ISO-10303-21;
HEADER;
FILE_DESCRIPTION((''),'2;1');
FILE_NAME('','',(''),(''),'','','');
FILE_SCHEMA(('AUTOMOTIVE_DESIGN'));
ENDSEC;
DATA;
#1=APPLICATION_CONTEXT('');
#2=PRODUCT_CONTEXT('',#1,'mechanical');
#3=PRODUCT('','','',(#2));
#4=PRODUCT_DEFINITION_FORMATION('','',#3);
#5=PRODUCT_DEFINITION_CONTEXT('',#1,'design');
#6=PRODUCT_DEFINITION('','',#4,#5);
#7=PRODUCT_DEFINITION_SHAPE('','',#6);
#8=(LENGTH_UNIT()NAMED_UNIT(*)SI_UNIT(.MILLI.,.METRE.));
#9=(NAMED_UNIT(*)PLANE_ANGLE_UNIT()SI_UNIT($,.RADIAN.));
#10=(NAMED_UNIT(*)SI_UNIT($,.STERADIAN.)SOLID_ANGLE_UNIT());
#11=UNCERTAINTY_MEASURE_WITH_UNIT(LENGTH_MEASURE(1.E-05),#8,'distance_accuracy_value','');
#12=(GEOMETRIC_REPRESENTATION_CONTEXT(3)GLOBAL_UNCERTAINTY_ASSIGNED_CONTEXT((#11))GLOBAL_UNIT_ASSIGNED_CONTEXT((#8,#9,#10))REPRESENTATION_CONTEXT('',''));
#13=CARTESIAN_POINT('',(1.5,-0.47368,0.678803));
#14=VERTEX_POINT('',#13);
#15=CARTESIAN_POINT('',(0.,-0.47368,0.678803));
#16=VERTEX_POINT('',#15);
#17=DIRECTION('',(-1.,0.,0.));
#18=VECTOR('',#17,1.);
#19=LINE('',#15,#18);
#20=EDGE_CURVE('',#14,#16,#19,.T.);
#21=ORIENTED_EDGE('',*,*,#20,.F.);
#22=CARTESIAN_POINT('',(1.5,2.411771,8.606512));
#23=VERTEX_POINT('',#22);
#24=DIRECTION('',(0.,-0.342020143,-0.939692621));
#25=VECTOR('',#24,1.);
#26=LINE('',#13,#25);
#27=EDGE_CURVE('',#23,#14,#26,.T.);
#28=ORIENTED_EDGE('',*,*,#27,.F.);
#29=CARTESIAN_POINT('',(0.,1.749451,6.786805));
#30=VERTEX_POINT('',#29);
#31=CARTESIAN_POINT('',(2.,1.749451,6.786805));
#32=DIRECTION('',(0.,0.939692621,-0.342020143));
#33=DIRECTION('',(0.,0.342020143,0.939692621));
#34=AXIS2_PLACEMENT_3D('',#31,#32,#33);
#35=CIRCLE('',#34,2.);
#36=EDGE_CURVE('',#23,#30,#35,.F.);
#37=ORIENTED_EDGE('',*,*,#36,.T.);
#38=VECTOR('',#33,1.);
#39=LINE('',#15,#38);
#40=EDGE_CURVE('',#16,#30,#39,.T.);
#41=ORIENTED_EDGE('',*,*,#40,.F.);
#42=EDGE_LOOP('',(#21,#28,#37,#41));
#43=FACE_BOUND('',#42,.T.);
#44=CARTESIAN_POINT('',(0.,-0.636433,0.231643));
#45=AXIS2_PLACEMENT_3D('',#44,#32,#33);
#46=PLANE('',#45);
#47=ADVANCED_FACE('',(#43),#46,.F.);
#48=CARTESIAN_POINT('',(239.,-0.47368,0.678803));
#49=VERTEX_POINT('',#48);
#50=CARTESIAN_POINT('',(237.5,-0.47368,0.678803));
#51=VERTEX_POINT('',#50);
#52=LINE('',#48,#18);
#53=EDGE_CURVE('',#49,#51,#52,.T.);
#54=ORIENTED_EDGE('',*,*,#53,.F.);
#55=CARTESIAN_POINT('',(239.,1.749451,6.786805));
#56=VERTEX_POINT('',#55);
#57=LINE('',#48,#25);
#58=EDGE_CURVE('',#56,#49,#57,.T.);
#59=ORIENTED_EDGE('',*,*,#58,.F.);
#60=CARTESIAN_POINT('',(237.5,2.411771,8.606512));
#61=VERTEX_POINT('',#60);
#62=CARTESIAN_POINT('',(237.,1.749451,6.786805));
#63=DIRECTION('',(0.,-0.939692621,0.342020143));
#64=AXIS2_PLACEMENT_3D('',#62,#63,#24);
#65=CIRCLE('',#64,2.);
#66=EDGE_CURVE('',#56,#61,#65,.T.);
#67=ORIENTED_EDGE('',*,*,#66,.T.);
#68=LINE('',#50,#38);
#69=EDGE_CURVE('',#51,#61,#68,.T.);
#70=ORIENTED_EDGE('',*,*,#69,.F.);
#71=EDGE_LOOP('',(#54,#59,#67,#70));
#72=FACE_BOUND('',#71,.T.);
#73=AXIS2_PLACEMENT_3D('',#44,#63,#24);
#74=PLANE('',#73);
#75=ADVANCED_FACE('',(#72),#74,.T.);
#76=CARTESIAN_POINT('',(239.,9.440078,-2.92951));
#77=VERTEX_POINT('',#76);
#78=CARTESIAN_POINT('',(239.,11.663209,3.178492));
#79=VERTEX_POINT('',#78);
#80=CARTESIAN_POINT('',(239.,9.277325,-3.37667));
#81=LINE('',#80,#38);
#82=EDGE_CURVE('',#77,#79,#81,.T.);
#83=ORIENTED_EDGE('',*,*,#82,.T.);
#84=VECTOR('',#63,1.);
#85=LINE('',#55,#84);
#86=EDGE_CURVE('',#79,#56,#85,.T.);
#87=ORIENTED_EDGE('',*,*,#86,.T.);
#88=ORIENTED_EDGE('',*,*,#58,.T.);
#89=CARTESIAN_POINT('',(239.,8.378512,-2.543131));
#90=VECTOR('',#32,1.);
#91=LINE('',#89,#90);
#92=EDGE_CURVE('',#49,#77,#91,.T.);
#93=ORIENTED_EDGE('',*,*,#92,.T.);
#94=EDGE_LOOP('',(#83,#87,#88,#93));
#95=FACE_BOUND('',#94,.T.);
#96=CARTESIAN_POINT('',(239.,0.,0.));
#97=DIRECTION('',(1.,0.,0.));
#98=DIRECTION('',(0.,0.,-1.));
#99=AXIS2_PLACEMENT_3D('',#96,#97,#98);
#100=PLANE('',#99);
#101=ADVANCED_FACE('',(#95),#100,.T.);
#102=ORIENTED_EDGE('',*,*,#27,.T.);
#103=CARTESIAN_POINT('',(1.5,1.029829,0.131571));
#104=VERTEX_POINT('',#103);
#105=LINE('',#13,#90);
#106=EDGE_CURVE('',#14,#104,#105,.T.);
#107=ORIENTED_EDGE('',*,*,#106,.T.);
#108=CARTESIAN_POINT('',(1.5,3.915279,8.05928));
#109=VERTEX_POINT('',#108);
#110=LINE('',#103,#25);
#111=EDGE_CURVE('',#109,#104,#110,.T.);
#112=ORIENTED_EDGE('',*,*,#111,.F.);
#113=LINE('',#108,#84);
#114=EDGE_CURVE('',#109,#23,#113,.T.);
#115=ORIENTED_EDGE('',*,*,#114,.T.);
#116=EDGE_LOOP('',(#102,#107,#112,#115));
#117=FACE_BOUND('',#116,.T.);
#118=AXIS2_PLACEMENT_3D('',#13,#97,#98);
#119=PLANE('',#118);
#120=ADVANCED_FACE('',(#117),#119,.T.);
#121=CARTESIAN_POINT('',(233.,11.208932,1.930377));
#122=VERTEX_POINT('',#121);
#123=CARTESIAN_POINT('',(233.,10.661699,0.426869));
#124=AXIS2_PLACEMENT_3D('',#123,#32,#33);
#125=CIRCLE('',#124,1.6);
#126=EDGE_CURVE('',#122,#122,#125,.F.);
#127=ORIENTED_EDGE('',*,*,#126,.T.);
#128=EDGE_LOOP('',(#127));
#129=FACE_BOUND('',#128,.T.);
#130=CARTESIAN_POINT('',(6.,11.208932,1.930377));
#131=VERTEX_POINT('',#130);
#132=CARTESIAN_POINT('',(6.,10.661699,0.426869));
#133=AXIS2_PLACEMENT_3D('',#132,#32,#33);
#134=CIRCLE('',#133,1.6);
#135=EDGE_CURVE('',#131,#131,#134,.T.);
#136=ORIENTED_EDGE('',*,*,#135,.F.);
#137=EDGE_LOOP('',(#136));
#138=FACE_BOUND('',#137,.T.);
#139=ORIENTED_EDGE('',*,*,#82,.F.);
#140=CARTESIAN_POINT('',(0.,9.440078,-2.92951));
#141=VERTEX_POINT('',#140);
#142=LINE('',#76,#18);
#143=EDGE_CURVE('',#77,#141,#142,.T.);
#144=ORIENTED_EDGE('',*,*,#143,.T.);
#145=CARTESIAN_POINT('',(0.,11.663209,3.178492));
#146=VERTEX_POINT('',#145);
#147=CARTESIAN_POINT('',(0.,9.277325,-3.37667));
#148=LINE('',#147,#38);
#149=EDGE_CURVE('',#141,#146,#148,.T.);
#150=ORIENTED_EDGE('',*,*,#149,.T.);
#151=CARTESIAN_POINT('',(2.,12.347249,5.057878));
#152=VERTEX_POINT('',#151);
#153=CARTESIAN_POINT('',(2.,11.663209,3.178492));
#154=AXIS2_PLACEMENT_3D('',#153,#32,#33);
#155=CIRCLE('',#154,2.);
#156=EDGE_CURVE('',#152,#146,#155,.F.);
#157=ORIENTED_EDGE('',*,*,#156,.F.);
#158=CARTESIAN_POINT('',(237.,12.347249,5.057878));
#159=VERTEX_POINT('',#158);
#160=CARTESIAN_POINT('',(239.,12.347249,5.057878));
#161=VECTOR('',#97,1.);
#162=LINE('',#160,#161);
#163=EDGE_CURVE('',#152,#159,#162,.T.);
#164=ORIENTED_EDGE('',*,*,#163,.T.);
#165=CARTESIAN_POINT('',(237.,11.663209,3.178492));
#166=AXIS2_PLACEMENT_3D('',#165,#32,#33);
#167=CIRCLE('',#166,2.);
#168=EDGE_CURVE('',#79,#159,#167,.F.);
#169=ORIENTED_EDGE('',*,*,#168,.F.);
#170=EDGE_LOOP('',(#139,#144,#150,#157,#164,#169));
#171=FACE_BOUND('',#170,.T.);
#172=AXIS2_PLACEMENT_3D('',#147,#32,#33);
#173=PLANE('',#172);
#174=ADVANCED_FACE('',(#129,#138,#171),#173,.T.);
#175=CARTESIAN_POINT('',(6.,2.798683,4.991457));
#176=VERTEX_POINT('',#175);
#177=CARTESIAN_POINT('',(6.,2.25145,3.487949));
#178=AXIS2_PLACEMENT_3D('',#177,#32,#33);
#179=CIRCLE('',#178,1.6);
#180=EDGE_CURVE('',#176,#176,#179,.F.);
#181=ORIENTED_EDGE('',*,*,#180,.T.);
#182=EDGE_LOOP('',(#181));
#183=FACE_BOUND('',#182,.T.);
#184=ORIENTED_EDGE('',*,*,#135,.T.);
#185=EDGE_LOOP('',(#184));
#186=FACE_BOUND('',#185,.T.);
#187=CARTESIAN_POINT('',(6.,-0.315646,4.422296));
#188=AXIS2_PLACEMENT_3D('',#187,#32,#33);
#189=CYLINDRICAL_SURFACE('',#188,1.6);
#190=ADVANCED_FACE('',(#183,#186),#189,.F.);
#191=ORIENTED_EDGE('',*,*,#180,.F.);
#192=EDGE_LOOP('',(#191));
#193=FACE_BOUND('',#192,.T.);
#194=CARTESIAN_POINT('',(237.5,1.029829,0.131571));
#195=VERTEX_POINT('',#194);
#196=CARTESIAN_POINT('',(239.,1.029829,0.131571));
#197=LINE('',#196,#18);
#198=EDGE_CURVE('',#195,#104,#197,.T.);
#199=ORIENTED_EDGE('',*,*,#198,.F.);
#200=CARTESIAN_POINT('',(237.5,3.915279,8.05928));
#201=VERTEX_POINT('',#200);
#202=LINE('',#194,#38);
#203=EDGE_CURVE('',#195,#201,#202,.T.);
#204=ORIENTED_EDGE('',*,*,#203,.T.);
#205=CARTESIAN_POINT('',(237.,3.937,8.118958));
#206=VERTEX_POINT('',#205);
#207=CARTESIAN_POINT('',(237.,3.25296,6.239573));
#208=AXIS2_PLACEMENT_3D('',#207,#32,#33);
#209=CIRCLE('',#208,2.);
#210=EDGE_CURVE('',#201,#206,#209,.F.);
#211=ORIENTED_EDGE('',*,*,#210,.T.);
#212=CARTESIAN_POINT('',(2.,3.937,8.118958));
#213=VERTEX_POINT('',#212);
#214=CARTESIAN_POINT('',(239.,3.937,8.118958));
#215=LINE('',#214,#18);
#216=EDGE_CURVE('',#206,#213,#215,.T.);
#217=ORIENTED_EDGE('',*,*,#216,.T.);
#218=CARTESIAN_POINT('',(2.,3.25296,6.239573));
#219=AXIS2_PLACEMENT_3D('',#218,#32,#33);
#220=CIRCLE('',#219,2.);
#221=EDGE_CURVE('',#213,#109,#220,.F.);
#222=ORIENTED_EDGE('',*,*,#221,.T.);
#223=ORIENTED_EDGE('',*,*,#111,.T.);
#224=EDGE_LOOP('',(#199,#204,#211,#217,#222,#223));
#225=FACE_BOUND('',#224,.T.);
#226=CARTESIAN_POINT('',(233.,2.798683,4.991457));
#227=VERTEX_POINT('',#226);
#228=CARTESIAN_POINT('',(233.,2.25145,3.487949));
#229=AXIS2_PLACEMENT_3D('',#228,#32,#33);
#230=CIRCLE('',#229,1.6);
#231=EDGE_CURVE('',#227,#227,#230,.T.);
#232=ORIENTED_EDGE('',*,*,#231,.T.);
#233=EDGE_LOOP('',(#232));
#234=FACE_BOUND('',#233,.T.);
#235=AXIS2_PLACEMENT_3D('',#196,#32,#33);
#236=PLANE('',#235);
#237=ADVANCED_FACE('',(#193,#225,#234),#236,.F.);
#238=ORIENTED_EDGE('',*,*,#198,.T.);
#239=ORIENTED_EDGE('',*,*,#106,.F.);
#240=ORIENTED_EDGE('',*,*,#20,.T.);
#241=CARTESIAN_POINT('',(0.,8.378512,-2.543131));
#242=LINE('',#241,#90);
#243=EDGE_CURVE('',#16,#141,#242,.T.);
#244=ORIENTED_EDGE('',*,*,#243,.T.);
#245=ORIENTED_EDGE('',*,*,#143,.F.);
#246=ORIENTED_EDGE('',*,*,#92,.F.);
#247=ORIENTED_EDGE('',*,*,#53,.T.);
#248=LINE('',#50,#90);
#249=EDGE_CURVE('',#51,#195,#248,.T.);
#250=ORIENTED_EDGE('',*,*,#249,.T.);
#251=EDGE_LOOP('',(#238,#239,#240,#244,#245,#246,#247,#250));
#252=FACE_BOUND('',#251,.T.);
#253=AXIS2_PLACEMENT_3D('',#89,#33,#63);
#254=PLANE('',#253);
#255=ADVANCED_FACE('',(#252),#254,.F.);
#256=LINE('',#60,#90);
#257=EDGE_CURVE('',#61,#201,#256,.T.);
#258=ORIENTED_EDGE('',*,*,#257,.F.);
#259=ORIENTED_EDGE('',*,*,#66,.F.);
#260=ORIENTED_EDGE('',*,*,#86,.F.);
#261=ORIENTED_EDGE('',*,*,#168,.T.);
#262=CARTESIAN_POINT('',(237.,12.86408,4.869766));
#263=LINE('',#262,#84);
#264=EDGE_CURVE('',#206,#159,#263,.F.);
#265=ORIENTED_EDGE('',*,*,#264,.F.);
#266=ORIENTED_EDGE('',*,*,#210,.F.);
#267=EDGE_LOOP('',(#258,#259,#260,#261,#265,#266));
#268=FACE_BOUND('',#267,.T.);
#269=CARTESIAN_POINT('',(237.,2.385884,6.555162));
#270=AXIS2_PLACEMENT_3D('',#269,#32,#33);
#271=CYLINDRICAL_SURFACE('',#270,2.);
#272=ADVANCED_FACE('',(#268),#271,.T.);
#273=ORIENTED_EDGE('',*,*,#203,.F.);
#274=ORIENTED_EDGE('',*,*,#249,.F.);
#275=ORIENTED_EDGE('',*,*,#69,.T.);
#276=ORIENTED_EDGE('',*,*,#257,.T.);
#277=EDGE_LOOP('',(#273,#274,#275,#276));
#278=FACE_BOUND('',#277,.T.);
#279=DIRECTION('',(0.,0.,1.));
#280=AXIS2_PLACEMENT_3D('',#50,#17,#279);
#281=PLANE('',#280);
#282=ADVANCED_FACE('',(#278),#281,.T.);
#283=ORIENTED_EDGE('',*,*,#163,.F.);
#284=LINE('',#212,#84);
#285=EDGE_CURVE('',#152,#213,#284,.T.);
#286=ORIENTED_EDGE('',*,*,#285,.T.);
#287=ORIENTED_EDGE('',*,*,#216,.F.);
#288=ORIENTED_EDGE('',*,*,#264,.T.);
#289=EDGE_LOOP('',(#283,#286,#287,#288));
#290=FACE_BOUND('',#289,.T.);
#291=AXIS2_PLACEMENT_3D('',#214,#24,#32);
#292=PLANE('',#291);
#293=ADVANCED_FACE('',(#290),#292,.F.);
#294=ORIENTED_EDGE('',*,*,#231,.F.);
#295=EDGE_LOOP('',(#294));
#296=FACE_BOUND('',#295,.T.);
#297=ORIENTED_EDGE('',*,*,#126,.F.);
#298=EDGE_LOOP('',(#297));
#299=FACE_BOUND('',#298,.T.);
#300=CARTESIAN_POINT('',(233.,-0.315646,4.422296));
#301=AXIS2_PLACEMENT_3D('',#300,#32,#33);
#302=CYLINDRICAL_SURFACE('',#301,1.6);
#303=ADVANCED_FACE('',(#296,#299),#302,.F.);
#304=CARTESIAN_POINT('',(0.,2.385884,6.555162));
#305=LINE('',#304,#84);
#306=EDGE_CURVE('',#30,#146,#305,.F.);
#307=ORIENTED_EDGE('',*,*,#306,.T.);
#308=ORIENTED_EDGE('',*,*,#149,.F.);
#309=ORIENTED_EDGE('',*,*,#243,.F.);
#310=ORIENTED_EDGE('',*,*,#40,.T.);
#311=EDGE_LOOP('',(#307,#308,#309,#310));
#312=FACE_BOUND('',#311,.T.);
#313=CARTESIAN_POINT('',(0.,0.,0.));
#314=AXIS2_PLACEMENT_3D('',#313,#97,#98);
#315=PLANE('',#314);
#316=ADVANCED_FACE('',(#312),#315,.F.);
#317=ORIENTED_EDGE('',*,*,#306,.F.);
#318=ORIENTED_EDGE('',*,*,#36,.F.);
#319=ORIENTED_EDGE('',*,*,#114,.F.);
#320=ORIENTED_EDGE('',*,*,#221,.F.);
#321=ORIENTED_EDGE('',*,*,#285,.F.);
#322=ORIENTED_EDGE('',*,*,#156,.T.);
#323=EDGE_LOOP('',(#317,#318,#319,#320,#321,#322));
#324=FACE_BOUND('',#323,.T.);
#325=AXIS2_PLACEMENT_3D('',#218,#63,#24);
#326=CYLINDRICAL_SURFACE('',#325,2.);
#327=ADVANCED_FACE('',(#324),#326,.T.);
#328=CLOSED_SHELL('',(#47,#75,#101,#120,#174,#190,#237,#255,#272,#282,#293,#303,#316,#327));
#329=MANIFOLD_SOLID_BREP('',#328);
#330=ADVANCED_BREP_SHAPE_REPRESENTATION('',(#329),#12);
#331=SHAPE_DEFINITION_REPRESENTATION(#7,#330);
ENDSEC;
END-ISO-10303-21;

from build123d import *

# Parameters (mm, degrees)
BOSS_EXTRUDE1_DEPTH = 239
SKETCH2_R           = 1.599999999999998
SKETCH2_R_2         = 1.5999999999999908
CUT_EXTRUDE1_DEPTH  = 240.44586691023747
BOSS_EXTRUDE2_DEPTH = 1.6
FILLET1_R           = 2
SKETCH4_W           = 302.77939153503445
SKETCH4_H           = 48.73306397089993
CUT_EXTRUDE2_DEPTH  = 0.55


with BuildPart() as part:
    # Sketch1 → Boss-Extrude1 (new body)
    with BuildSketch(Plane(origin=(0, 0, 0), x_dir=(0, 0, -1), z_dir=(1, 0, 0))):
        Polygon((2.5431313581277277, 8.378511762801937), (-0.1315705594718698, 1.029828640425271), (-8.118957836152065, 3.936999858693529), (-4.86976647455813, 12.864079756159628), (3.117620802122064, 9.95690853789137), align=None)
    extrude(amount=BOSS_EXTRUDE1_DEPTH)

    # Sketch2 → Cut-Extrude1 (cut, through all)
    with BuildSketch(Plane(origin=(0, 9.794155508645982, -3.5647810749215956), x_dir=(1, 0, 0), z_dir=(0, 0.9396926207859053, -0.3420201433256773))):
        with Locations(Location((5.999999999999991, -4.047641310446752, 0), (0, 0, 270))):
            Circle(SKETCH2_R)
        with Locations(Location((232.99999999999997, -4.047641310446725, 0), (0, 0, 270))):
            Circle(SKETCH2_R_2)
    extrude(amount=-CUT_EXTRUDE1_DEPTH, mode=Mode.SUBTRACT)

    # Sketch3 → Boss-Extrude2 (add)
    with BuildSketch(Plane(origin=(0, 0.8670756111798825, -0.31558971332766134), x_dir=(1, 0, 0), z_dir=(0, 0.9396926207859052, -0.34202014332567726))):
        Polygon((0, -0.47585802304752833), (1.5, -0.47585802304752783), (1.5000000000000013, -8.975858023047525), (0, -8.975858023047529), align=None)
        Polygon((239, -0.47585802304752833), (237.5, -0.475858023047528), (237.5, -8.975858023047525), (239, -8.975858023047529), align=None)
    extrude(amount=-BOSS_EXTRUDE2_DEPTH)

    # Fillet1
    fillet1_edges = [part.edges().sort_by_distance(p)[0] for p in [
        (239, 7.6487857107978545, 6.76797827001564),
        (0, 7.648785710797854, 6.76797827001564),
    ]]
    fillet(fillet1_edges, radius=FILLET1_R)

    # Sketch4 → Cut-Extrude2 (cut)
    with BuildSketch(Plane(origin=(0, 9.794155508645986, -3.5647810749215965), x_dir=(1, 0, 0), z_dir=(0, 0.9396926207859053, -0.34202014332567743))):
        with Locations((120.43717430713222, 0.7530071571181338)):
            Rectangle(SKETCH4_W, SKETCH4_H)
    extrude(amount=-CUT_EXTRUDE2_DEPTH, mode=Mode.SUBTRACT)


solid = part.part
